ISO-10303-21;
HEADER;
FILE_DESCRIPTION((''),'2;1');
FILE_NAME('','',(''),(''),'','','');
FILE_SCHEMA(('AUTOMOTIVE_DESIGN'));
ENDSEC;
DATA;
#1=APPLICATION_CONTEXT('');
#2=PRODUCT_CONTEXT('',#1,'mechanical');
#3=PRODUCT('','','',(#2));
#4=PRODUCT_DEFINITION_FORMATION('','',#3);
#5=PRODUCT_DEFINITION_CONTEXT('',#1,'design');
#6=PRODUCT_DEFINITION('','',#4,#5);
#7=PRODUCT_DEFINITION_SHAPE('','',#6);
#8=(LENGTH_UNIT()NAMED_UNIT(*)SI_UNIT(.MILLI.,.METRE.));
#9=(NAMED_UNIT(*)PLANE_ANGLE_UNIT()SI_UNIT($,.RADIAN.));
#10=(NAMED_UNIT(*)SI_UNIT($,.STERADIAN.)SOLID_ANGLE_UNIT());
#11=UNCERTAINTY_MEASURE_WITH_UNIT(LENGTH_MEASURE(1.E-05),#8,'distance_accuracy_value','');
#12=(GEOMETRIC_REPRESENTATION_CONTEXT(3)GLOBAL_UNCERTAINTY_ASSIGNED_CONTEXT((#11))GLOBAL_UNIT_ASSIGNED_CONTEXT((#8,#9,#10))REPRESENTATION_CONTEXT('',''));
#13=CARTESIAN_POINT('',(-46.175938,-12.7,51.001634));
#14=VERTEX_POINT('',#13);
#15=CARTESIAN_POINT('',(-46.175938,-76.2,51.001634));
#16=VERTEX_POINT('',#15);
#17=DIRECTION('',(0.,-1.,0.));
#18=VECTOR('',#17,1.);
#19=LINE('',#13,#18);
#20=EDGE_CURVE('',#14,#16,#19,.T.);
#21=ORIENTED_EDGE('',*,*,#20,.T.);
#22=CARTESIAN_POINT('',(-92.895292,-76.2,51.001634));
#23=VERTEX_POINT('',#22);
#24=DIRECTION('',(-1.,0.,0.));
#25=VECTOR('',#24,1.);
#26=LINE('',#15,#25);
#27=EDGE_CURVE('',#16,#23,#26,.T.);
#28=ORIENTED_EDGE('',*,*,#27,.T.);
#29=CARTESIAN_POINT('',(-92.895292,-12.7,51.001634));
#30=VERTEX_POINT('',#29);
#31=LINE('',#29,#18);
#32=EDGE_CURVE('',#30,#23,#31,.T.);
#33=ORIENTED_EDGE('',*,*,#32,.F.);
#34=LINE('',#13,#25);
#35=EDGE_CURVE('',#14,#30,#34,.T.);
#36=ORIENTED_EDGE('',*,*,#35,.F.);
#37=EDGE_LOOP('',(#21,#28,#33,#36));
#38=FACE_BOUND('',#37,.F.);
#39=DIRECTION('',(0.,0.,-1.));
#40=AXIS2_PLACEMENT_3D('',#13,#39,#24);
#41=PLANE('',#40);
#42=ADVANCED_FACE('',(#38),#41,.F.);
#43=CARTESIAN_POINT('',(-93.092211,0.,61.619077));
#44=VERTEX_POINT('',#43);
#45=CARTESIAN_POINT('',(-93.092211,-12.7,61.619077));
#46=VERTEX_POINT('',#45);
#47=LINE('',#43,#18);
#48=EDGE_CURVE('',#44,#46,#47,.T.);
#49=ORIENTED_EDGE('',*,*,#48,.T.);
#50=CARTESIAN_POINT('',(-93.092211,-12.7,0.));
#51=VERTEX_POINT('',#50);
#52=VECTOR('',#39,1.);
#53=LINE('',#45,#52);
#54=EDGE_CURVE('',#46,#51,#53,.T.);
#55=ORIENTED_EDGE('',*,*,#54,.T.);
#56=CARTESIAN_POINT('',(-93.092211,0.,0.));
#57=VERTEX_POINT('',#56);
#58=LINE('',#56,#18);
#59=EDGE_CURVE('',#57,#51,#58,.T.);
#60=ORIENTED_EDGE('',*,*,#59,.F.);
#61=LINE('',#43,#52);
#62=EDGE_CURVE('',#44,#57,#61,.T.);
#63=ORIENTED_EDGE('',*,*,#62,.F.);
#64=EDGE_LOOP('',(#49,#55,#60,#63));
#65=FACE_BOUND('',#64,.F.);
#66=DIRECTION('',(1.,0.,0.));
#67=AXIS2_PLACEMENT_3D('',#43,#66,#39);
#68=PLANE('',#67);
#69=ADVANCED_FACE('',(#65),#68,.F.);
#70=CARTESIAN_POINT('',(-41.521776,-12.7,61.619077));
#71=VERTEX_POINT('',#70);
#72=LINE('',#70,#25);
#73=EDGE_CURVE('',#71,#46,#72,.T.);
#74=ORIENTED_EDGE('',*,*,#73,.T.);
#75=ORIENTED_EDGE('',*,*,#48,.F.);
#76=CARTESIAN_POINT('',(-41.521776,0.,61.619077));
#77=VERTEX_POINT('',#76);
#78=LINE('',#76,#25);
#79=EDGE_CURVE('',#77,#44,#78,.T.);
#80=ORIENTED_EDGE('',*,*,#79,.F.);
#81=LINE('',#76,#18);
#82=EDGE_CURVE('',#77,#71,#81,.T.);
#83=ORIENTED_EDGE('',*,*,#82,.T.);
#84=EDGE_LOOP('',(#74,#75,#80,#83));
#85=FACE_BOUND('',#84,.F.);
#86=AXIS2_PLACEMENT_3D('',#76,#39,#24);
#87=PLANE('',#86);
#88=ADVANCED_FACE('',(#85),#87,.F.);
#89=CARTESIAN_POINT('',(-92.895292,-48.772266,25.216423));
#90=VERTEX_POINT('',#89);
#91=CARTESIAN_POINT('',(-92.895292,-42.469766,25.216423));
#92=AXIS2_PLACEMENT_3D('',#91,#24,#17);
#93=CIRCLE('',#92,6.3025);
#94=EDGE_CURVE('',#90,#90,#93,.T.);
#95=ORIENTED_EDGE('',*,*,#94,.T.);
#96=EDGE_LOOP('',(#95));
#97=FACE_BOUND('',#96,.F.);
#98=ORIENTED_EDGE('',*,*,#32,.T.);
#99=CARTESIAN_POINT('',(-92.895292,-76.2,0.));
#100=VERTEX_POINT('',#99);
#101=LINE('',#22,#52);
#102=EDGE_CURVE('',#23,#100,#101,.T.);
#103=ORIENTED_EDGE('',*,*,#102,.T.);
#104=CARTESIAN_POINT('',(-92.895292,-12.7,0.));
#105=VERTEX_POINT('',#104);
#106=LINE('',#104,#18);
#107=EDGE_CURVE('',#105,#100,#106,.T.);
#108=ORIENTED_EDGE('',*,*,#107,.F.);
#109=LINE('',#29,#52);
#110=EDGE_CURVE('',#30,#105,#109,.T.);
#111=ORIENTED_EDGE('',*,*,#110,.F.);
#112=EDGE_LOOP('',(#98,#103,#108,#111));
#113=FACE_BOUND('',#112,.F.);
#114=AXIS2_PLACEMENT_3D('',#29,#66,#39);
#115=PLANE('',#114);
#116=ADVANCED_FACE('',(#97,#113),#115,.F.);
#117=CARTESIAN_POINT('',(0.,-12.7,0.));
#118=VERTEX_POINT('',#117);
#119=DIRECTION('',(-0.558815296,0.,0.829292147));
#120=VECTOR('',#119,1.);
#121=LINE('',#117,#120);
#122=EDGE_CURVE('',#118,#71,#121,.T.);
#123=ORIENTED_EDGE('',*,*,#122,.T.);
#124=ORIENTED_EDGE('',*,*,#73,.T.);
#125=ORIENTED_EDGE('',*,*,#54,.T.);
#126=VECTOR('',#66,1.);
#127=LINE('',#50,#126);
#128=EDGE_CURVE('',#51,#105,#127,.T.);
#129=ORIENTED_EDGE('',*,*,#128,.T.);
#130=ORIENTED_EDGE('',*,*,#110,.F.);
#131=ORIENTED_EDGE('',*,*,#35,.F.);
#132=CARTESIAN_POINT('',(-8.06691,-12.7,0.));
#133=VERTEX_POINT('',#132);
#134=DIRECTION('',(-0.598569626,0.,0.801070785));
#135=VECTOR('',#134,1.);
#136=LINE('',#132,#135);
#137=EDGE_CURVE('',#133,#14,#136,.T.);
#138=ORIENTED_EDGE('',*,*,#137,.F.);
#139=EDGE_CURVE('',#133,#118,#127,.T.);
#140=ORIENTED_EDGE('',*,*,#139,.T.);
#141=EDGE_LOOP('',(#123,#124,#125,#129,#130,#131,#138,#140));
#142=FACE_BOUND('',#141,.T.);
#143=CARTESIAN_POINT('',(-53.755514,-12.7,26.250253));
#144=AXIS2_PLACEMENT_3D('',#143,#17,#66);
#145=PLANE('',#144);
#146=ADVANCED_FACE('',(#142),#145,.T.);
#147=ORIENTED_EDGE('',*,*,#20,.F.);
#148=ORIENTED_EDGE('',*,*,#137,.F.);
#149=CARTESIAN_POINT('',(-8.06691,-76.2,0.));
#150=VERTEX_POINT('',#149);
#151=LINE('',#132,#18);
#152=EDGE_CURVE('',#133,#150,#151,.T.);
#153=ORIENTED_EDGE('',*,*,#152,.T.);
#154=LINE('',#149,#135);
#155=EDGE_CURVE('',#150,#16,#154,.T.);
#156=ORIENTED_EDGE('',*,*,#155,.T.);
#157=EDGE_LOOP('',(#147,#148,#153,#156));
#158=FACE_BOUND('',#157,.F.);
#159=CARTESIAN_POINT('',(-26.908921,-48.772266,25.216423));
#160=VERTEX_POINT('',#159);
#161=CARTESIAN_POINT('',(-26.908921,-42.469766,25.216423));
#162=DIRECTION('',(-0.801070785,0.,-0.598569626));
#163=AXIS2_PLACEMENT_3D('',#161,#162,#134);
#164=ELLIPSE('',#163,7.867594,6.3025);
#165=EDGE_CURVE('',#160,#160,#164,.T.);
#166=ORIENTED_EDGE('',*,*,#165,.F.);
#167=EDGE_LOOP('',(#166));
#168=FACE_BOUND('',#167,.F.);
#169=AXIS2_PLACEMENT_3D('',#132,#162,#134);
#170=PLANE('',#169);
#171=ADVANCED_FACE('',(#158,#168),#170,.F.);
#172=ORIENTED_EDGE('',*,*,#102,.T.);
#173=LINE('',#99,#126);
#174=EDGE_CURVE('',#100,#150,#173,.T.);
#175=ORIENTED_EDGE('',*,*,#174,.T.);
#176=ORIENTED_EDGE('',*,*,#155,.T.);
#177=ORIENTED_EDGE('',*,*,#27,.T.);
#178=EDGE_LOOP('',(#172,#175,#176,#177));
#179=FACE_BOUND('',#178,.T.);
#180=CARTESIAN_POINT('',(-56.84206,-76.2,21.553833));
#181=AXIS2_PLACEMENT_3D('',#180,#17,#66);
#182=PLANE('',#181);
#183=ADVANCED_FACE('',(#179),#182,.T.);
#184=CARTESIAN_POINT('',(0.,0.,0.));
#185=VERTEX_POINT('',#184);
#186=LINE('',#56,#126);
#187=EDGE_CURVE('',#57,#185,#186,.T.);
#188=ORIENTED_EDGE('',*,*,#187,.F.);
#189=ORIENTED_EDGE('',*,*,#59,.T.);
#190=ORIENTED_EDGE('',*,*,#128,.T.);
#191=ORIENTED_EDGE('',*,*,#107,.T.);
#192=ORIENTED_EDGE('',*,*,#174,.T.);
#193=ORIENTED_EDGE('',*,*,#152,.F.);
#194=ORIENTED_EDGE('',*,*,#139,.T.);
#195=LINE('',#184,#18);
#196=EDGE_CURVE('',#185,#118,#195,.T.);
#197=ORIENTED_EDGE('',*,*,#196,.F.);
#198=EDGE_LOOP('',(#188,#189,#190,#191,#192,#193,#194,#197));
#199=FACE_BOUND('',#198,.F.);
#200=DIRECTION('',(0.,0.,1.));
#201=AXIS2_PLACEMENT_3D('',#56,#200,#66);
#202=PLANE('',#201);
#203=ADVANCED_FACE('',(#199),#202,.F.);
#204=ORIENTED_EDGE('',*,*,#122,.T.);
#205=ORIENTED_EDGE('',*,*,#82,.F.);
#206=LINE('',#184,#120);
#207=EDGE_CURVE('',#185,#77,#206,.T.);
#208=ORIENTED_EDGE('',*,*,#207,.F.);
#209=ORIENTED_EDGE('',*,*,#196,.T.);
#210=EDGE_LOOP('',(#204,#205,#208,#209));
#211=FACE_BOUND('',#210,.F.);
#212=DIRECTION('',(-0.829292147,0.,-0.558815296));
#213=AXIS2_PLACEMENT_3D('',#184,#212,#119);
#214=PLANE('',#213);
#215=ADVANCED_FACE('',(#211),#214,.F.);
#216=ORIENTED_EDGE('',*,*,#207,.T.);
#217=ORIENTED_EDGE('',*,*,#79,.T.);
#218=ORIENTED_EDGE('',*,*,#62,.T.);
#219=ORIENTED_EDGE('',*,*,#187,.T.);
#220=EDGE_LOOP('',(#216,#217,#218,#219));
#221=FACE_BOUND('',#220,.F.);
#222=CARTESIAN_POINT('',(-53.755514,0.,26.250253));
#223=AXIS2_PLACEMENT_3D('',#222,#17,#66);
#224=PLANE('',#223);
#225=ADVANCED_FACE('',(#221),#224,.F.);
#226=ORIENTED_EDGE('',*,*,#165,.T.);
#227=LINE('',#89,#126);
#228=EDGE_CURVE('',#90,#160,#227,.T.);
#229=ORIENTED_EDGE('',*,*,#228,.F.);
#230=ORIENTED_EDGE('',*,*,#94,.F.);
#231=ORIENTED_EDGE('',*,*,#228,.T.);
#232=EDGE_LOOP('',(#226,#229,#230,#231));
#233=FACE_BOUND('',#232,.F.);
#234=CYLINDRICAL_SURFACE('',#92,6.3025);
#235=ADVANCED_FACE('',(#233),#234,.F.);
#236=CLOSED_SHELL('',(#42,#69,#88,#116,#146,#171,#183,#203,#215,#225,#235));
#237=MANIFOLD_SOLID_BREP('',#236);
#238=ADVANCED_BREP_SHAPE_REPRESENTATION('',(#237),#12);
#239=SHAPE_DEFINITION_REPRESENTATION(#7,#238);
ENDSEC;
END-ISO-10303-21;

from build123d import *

# Parameters (mm, degrees)
F1_DEPTH = 12.7
F3_DEPTH = 63.5
F4_R     = 6.3025
F5_DEPTH = 92.896292


with BuildPart() as f1:
    # F0 (on Front) → F1 (new body)
    with BuildSketch(Plane.XZ):
        Polygon((-93.092211, 0), (0, 0), (-41.521776, 61.619077), (-93.092211, 61.619077), align=None)
    extrude(amount=F1_DEPTH)

    # F2 (on face) → F3 (join)
    with BuildSketch(Plane.XZ.offset(12.7)):
        Polygon((-92.895292, 51.001634), (-92.895292, 0), (-8.06691, 0), (-46.175938, 51.001634), align=None)
    extrude(amount=F3_DEPTH)

    # F4 (on face) → F5 (cut, through all)
    with BuildSketch(Plane(origin=(-92.895292, 0, 0), x_dir=(0, -1, 0), z_dir=(-1, 0, 0))):
        with Locations((42.469766, 25.216423)):
            Circle(F4_R)
    extrude(amount=-F5_DEPTH, mode=Mode.SUBTRACT)


solid = f1.part
